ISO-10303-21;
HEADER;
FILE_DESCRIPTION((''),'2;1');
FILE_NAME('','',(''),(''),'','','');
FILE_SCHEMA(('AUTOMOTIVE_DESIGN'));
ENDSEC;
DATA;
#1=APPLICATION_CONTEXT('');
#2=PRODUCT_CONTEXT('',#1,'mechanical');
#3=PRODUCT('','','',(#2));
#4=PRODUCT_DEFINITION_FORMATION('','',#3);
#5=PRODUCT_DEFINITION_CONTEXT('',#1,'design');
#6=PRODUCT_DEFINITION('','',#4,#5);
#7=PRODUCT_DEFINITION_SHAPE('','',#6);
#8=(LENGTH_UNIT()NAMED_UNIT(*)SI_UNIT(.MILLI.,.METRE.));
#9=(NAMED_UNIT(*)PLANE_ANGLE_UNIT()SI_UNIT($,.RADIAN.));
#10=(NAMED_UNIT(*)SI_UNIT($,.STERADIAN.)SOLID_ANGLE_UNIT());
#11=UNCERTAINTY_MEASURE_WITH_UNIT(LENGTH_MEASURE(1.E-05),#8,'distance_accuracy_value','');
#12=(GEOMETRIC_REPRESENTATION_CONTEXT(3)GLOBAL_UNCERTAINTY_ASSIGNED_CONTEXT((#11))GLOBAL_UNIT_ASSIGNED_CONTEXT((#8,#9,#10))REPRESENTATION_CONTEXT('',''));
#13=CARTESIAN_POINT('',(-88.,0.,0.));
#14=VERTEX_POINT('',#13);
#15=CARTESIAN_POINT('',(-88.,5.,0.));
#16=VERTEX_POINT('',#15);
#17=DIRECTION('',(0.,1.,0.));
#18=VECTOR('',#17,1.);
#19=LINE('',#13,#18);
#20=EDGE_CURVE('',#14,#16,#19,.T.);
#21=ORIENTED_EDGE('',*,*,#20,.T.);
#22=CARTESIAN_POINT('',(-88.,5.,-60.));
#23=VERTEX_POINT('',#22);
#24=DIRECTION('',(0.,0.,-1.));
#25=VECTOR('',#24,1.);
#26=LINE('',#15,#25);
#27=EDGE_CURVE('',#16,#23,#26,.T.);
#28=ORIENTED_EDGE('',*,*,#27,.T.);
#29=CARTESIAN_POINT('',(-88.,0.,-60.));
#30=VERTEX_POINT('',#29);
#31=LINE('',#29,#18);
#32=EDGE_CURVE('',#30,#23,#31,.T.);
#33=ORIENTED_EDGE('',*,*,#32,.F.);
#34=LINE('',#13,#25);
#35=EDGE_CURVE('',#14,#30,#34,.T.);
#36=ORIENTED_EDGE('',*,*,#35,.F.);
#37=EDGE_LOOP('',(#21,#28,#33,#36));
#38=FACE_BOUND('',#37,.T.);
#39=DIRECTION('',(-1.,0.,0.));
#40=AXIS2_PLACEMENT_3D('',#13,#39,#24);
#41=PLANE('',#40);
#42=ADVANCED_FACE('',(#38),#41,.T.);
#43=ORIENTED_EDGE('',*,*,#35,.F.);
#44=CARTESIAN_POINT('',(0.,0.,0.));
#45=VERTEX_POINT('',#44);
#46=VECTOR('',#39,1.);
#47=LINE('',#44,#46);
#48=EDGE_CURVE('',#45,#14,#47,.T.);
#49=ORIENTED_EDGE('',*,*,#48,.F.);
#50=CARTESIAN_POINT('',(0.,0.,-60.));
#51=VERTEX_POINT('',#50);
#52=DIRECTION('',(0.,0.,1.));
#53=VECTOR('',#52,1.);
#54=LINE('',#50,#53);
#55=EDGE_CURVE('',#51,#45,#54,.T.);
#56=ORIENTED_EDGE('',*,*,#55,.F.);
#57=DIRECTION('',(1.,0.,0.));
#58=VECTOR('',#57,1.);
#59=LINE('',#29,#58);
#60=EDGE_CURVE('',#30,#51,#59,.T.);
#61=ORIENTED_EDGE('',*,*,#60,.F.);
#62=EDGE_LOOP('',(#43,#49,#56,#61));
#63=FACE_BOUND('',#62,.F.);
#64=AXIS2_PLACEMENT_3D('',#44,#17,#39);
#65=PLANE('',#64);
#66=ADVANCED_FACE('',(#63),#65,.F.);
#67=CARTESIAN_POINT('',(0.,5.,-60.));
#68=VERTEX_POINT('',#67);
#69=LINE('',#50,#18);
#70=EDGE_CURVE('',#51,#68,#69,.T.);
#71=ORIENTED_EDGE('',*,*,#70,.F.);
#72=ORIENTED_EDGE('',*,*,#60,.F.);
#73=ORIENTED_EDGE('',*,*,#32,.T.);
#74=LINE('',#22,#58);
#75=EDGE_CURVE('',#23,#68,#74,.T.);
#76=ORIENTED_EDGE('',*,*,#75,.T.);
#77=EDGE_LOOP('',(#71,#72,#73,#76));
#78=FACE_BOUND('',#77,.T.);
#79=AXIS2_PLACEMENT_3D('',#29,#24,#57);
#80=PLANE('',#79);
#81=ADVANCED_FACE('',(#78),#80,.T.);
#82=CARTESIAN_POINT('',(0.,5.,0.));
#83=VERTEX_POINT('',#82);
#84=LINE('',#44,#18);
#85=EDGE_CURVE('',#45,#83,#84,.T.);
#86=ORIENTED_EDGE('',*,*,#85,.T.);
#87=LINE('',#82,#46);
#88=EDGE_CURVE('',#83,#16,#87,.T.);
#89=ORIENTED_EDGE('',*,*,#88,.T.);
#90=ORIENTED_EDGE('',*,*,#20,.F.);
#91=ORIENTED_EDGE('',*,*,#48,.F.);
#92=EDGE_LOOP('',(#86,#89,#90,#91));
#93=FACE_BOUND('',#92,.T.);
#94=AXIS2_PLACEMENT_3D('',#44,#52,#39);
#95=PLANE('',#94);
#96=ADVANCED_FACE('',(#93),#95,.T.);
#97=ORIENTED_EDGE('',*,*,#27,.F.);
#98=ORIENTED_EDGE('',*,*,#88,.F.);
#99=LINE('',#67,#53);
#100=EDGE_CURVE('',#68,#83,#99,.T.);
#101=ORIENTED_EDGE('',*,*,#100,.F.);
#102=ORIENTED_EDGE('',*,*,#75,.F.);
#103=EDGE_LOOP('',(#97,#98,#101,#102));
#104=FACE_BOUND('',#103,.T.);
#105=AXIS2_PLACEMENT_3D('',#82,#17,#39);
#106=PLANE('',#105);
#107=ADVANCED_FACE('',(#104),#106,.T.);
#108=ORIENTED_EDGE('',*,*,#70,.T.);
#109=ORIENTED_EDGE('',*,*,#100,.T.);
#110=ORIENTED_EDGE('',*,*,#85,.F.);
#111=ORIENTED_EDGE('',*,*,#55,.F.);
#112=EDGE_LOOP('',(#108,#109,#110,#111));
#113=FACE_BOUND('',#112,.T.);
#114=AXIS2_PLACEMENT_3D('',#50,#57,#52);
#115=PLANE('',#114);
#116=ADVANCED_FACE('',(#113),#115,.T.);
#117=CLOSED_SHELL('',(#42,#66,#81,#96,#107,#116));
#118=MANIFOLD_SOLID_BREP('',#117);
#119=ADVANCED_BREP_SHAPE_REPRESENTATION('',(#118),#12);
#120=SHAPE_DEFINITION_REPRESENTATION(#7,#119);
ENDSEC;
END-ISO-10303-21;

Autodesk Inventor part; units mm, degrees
ref_plane "YZ Plane" through (0, 0, 0) normal (1, 0, 0) x (0, 1, 0)
ref_plane "XZ Plane" through (0, 0, 0) normal (0, 1, 0) x (-1, 0, 0)
ref_plane "XY Plane" through (0, 0, 0) normal (0, 0, 1) x (1, 0, 0)
sketch "Sketch1" plane through (0, 0, 0) normal (0, 1, 0) x (-1, 0, 0)
  point P0 (0, 0)
sketch "Sketch2" plane through (0, 0, 0) normal (0, 1, 0) x (-1, 0, 0)
  line L0 (0, 0) -> (88, 0)
  line L1 (88, 0) -> (88, -60)
  line L2 (88, -60) -> (0, -60)
  line L3 (0, -60) -> (0, 0)
  dimension "d0" = 88
  dimension "d1" = 60
extrude "Extrusion1" add sketch "Sketch2" along normal blind 5
properties part number "sklejka"
